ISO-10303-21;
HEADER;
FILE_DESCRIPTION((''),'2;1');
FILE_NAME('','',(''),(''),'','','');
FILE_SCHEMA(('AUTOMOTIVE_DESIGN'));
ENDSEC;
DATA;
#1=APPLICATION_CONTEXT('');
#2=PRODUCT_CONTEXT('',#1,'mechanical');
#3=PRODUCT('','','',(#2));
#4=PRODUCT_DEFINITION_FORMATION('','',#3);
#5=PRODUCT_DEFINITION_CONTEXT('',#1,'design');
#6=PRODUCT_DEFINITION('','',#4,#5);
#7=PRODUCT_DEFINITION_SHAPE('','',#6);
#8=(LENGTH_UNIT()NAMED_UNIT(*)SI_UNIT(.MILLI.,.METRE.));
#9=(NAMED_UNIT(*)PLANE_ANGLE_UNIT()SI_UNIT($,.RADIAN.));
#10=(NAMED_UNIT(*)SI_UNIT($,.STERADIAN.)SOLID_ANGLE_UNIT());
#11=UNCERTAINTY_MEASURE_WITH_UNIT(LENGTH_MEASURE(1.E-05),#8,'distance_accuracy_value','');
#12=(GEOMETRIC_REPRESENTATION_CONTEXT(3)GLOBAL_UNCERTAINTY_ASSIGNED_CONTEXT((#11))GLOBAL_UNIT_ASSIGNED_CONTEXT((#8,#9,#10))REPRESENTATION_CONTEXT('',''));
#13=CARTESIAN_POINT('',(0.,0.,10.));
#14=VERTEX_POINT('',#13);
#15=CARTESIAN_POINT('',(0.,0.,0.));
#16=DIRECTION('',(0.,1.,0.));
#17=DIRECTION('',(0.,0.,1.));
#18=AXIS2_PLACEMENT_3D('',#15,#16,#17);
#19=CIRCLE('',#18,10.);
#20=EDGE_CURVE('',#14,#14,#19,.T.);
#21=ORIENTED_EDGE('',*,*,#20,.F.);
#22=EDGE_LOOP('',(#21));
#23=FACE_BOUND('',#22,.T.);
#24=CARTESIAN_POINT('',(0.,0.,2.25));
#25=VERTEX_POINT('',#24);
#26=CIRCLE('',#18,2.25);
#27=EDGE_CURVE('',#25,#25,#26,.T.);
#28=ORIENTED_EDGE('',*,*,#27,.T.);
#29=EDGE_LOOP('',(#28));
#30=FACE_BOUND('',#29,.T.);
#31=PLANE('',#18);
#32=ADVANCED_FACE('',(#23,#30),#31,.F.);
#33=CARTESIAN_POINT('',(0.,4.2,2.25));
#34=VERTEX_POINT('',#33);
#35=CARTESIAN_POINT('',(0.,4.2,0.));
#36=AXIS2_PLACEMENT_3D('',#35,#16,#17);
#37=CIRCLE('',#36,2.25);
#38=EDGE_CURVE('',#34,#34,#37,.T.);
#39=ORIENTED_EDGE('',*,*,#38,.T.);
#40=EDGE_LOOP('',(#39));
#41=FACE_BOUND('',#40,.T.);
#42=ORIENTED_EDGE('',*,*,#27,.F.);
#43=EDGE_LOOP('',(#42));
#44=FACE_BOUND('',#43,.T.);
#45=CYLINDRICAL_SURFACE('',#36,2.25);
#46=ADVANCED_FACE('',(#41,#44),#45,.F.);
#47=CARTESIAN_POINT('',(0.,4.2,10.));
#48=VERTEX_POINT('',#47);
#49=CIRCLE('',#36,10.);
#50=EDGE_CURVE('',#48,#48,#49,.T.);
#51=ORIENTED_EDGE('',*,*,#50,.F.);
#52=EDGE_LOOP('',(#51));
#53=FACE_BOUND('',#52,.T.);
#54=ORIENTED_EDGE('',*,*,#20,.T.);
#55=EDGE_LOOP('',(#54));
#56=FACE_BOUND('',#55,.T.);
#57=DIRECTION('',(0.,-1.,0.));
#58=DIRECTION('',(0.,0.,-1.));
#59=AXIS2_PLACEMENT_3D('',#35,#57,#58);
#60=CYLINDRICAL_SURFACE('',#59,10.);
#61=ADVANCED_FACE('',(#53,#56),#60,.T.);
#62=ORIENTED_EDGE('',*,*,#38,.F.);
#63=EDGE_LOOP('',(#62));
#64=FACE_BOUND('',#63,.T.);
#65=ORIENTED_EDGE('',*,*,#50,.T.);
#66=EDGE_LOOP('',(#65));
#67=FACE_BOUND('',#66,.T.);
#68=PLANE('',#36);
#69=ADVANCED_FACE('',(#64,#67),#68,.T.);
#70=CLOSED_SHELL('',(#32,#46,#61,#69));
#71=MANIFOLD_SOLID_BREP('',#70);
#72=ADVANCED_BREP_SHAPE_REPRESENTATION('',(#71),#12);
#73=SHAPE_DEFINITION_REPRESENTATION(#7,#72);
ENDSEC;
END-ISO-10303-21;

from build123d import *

# Parameters (mm, degrees)
SKETCH1_R            = 10
BOSS_EXTRUDE1_DEPTH  = 4.2
M4_CLEARANCE_HOLE1_D = 4.5


with BuildPart() as part:
    # Sketch1 → Boss-Extrude1 (new body)
    with BuildSketch(Plane(origin=(0, 0, 0), x_dir=(1, 0, 0), z_dir=(0, 1, 0))):
        with Locations(Location((0, 0, 0), (0, 0, 270))):
            Circle(SKETCH1_R)
    extrude(amount=BOSS_EXTRUDE1_DEPTH)

    # M4 Clearance Hole1 (through all)
    with Locations(Plane(origin=(0, 4.2, 0), x_dir=(1, 0, 0), z_dir=(0, 1, 0))):
        with Locations((0, 0)):
            Hole(M4_CLEARANCE_HOLE1_D / 2)


solid = part.part
